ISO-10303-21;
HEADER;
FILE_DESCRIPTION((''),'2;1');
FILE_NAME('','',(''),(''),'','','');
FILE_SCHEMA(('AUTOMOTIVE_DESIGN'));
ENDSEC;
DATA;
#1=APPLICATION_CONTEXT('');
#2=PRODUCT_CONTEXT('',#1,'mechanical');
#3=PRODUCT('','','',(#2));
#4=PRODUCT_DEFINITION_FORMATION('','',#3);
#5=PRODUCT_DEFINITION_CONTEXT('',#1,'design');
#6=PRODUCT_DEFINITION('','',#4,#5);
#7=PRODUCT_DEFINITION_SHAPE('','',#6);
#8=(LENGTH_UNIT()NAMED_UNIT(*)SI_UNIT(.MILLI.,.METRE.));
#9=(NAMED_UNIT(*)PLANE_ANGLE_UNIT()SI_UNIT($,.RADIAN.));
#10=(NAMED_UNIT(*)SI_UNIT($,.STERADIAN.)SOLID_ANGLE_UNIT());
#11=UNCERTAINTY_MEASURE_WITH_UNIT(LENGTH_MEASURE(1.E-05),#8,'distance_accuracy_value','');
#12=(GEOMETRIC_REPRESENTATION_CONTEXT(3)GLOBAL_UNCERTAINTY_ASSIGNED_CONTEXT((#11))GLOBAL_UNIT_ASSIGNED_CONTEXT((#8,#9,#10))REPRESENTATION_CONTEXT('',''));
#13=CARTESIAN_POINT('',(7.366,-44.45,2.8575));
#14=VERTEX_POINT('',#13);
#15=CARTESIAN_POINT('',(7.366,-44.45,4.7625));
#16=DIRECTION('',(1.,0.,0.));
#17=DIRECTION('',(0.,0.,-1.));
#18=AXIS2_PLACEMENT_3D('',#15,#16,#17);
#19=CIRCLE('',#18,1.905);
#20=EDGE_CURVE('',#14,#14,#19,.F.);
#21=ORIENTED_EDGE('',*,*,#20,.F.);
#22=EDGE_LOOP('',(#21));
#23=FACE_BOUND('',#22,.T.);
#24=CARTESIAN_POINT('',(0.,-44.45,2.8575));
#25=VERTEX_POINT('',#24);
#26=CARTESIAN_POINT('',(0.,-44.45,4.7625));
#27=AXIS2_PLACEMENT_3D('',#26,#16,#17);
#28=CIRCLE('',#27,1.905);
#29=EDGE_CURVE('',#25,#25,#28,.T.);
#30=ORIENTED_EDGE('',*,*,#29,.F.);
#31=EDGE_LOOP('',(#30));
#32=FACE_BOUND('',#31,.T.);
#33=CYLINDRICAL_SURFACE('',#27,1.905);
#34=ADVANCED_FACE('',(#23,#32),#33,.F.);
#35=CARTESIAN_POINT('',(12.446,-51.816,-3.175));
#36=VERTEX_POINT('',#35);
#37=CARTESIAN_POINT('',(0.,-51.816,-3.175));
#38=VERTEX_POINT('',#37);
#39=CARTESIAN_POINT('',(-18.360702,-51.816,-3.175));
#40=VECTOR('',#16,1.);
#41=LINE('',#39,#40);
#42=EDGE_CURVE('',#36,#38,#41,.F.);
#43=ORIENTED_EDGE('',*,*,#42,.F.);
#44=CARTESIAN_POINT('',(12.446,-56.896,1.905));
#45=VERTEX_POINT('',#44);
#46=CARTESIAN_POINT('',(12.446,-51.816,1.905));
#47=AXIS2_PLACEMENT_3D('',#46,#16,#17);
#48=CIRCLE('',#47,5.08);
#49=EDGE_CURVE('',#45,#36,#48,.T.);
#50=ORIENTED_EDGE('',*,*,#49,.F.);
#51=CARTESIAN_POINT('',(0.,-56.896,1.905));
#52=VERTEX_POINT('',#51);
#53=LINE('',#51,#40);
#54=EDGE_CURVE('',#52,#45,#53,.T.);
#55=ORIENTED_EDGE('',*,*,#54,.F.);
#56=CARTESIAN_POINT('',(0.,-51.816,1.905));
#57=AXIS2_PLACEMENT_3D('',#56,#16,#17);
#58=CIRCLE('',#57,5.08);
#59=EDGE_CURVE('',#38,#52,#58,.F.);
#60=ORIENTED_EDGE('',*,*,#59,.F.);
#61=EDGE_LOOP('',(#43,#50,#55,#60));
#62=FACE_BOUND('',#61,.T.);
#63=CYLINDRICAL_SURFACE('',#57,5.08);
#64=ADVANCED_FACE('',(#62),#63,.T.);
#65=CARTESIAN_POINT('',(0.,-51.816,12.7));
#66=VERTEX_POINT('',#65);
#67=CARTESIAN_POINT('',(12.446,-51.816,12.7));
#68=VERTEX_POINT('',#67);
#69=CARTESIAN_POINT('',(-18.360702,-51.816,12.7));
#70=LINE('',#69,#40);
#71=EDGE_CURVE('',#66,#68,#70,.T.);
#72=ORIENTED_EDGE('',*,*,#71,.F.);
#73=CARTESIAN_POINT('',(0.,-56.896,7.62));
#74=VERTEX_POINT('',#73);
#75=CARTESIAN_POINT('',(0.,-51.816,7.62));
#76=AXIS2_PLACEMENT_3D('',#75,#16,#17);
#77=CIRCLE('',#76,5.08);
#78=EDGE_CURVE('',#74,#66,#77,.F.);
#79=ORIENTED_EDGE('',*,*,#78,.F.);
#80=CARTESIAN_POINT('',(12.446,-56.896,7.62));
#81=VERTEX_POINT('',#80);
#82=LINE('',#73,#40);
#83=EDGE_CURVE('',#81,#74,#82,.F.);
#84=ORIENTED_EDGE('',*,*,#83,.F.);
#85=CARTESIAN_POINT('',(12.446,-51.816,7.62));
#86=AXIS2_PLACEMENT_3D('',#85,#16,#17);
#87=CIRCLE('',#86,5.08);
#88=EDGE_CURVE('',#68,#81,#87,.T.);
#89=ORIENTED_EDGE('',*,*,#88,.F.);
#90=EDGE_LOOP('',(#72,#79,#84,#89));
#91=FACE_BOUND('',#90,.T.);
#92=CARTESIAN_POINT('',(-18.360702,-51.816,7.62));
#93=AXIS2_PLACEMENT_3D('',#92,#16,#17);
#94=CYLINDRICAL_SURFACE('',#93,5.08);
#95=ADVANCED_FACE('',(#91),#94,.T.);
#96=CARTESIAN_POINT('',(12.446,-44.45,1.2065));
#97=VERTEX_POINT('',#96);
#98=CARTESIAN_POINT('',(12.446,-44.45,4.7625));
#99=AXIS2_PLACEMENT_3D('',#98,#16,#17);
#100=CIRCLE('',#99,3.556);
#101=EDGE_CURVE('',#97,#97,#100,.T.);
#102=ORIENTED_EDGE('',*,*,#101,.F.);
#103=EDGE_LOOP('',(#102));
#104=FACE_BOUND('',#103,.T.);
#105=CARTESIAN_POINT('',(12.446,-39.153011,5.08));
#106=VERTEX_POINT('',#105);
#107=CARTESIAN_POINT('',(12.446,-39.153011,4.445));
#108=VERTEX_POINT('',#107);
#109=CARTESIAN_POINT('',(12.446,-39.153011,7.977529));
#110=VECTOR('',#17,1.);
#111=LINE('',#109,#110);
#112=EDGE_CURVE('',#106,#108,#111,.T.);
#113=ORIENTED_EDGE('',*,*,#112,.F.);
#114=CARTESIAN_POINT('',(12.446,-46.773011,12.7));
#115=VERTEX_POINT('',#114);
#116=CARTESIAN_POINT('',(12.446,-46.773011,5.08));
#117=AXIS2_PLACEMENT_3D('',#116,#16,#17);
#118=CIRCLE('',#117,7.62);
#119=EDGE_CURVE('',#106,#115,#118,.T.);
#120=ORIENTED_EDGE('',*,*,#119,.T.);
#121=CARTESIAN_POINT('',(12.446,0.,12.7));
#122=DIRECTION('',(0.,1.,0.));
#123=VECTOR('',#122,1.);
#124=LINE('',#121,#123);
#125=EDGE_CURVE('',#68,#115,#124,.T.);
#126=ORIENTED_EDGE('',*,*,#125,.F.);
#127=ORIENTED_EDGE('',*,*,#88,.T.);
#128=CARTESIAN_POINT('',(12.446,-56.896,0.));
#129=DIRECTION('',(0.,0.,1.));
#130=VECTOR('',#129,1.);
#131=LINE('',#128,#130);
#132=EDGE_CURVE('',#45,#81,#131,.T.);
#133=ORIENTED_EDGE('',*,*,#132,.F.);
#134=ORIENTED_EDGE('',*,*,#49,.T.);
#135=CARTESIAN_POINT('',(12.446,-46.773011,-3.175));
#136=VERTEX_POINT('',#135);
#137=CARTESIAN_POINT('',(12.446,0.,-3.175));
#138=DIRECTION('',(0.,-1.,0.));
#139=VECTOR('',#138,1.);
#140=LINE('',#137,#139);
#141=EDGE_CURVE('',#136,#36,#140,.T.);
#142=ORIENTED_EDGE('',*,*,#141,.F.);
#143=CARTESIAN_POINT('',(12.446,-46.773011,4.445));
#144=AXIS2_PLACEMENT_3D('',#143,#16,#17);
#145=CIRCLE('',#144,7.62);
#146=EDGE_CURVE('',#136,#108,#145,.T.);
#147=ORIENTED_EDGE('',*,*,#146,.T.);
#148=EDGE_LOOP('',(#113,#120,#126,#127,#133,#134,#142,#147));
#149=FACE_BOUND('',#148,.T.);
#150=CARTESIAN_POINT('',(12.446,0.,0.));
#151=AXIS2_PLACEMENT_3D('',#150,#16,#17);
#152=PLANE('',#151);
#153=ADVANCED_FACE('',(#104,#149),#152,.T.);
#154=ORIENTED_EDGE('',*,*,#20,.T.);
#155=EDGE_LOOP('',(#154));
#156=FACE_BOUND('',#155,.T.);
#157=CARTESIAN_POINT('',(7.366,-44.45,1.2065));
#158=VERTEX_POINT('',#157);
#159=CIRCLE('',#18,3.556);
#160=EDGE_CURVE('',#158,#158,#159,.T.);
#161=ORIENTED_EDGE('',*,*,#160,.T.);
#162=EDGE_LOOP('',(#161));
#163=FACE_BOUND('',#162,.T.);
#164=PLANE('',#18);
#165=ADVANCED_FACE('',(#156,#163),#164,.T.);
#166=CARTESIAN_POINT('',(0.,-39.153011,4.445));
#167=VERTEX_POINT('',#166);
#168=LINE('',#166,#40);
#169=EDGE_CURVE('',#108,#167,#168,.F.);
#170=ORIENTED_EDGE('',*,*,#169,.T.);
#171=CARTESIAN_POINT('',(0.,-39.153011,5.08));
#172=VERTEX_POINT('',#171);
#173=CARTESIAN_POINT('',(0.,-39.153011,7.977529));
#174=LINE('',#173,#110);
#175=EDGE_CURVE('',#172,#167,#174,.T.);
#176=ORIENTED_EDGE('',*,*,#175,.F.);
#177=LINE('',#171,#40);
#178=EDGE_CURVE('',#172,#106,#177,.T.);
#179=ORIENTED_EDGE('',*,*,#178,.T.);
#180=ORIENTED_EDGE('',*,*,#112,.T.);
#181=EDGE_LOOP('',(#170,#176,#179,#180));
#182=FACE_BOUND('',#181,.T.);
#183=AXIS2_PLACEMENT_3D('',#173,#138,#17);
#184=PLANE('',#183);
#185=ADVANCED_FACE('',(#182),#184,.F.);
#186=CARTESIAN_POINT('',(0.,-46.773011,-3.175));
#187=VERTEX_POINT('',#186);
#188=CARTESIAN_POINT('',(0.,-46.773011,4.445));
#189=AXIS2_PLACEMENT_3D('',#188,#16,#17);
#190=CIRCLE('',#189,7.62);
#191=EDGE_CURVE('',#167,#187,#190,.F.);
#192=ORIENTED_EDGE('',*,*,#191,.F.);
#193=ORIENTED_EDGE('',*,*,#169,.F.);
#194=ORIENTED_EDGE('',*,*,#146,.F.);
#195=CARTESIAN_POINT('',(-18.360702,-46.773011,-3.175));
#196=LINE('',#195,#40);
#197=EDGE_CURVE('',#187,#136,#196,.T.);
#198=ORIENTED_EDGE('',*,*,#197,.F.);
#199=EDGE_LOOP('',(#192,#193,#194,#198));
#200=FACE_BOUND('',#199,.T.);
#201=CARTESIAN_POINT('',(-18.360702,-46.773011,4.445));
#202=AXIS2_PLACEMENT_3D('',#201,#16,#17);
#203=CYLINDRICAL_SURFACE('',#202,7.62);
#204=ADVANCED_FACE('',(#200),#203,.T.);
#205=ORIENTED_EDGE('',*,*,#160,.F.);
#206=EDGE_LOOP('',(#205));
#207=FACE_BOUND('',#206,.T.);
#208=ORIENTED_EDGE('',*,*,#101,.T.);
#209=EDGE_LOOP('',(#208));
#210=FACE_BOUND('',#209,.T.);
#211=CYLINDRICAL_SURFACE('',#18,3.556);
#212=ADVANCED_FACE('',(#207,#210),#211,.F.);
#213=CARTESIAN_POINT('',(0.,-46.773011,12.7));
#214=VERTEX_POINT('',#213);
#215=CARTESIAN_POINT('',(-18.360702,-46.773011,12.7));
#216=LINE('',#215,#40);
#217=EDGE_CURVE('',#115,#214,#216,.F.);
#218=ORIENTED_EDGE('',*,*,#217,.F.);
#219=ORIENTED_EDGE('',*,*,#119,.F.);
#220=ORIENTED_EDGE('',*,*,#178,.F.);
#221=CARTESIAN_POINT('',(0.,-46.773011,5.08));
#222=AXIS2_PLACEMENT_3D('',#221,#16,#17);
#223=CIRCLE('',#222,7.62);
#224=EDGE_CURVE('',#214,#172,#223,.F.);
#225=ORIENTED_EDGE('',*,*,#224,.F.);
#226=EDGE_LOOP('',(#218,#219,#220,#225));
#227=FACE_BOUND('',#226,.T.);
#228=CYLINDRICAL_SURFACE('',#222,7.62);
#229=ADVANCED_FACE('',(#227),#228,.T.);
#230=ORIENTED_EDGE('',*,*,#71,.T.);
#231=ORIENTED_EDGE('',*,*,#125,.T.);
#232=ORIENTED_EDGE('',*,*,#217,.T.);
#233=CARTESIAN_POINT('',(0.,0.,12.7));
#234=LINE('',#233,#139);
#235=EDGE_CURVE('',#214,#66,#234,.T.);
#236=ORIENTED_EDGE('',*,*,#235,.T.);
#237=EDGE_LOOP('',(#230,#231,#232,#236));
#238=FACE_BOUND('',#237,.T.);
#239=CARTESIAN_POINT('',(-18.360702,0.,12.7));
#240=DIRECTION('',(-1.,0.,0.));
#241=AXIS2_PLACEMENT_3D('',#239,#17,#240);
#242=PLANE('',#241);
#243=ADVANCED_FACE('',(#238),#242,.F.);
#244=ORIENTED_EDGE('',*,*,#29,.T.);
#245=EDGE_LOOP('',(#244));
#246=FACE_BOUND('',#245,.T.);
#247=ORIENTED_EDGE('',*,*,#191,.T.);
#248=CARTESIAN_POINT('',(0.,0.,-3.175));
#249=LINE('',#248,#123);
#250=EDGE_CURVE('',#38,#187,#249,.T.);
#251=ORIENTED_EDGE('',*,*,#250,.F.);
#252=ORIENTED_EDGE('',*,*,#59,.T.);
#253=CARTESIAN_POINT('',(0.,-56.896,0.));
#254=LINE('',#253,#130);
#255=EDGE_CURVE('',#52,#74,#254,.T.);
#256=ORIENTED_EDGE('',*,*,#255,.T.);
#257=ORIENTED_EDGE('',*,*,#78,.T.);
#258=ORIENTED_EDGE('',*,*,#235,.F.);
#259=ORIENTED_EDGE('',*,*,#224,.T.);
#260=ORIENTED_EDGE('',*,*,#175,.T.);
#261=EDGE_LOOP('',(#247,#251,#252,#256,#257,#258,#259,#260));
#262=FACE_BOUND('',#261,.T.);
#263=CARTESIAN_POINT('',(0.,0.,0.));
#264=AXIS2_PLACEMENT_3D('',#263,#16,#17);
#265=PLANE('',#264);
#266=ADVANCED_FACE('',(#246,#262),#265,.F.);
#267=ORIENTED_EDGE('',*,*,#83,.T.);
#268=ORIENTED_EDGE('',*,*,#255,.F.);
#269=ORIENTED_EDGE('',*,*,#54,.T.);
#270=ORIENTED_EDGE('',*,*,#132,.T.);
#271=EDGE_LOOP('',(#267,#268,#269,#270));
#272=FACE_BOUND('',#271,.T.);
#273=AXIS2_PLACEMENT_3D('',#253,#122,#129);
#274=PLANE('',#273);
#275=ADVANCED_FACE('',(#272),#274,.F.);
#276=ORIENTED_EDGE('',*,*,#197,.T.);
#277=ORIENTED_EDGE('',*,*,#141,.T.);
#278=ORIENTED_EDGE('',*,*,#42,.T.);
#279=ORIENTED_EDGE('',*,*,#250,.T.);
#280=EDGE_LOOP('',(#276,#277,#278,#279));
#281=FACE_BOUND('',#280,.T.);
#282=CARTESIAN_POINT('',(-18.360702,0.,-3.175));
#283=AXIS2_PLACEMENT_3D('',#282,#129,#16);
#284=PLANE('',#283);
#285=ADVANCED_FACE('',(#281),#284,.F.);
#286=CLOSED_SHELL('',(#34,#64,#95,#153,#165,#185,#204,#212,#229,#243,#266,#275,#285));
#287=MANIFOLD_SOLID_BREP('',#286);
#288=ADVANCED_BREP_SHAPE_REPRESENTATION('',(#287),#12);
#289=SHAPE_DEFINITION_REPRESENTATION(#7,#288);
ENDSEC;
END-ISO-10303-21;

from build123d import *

# Parameters (mm, degrees)
SKETCH1_W           = 50.8
SKETCH1_H           = 9.525
BOSS_EXTRUDE1_DEPTH = 12.446
SKETCH6_R           = 1.905
CUT_EXTRUDE4_DEPTH  = 12.446
SKETCH7_R           = 3.556
CUT_EXTRUDE5_DEPTH  = 5.08
SKETCH8_W           = 38.1
SKETCH8_H           = 9.525
CUT_EXTRUDE6_DEPTH  = 12.446
FILLET2_R           = 2.54
CUT_EXTRUDE7_START  = -12.446
CUT_EXTRUDE7_DEPTH  = 12.446
FILLET4_R           = 5.08
SKETCH11_W          = 12.446
SKETCH11_H          = 9.525
BOSS_EXTRUDE2_DEPTH = 6.35
CUT_EXTRUDE8_START  = -12.446
SKETCH12_W          = 0.254
SKETCH12_H          = 9.525
CUT_EXTRUDE8_DEPTH  = 12.446
CUT_EXTRUDE9_START  = -12.446
CUT_EXTRUDE9_DEPTH  = 12.446
BOSS_EXTRUDE3_START = -12.446
BOSS_EXTRUDE3_DEPTH = 12.446
FILLET6_R           = 7.62
FILLET7_R           = 5.08


with BuildPart() as part:
    # Sketch1 → Boss-Extrude1 (new body)
    with BuildSketch(Plane.YZ):
        with Locations((-25.4, 4.7625)):
            Rectangle(SKETCH1_W, SKETCH1_H)
    extrude(amount=BOSS_EXTRUDE1_DEPTH)

    # Sketch6 → Cut-Extrude4 (cut)
    with BuildSketch(Plane.YZ.offset(12.446)):
        with Locations(Location((-44.45, 4.7625, 0), (0, 0, 270))):
            Circle(SKETCH6_R)
    extrude(amount=-CUT_EXTRUDE4_DEPTH, mode=Mode.SUBTRACT)

    # Sketch7 → Cut-Extrude5 (cut)
    with BuildSketch(Plane.YZ.offset(12.446)):
        with Locations(Location((-44.45, 4.7625, 0), (0, 0, 270))):
            Circle(SKETCH7_R)
    extrude(amount=-CUT_EXTRUDE5_DEPTH, mode=Mode.SUBTRACT)

    # Sketch8 → Cut-Extrude6 (cut)
    with BuildSketch(Plane.YZ.offset(12.446)):
        with Locations((-19.05, 4.7625)):
            Rectangle(SKETCH8_W, SKETCH8_H)
    extrude(amount=-CUT_EXTRUDE6_DEPTH, mode=Mode.SUBTRACT)

    # Fillet2
    fillet2_edges = [part.edges().sort_by_distance(p)[0] for p in [
        (6.223, -38.1, 0),
        (6.223, -38.1, 9.525),
    ]]
    fillet(fillet2_edges, radius=FILLET2_R)

    # Sketch9 → Cut-Extrude7 (cut)
    with BuildSketch(Plane.YZ.offset(12.446).offset(CUT_EXTRUDE7_START)):
        with BuildLine():
            Line((-40.64, 0), (-38.1, 2.54))
            ThreePointArc((-38.1, 2.54), (-38.843948776, 0.743948776), (-40.64, 0))
        make_face()
        with BuildLine():
            Line((-38.1, 6.985), (-40.64, 9.525))
            ThreePointArc((-40.64, 9.525), (-38.843948776, 8.781051224), (-38.1, 6.985))
        make_face()
    extrude(amount=CUT_EXTRUDE7_DEPTH, mode=Mode.SUBTRACT)

    # Fillet4
    fillet4_edges = [part.edges().sort_by_distance(p)[0] for p in [
        (6.223, -38.1, 2.54),
        (6.223, -38.1, 6.985),
    ]]
    fillet(fillet4_edges, radius=FILLET4_R)

    # Sketch11 → Boss-Extrude2 (add)
    with BuildSketch(Plane.XZ.offset(50.8)):
        with Locations((6.223, 4.7625)):
            Rectangle(SKETCH11_W, SKETCH11_H)
    extrude(amount=BOSS_EXTRUDE2_DEPTH)

    # Sketch12 → Cut-Extrude8 (cut)
    with BuildSketch(Plane.YZ.offset(12.446).offset(CUT_EXTRUDE8_START)):
        with Locations((-57.023, 4.7625)):
            Rectangle(SKETCH12_W, SKETCH12_H)
    extrude(amount=CUT_EXTRUDE8_DEPTH, mode=Mode.SUBTRACT)

    # Sketch13 → Cut-Extrude9 (cut)
    with BuildSketch(Plane.YZ.offset(12.446).offset(CUT_EXTRUDE9_START)):
        with BuildLine():
            Line((-39.153011094, 7.977528923), (-39.153011094, 1.547471077))
            ThreePointArc((-39.153011094, 1.547471077), (-38.370452015, 3.008769732), (-38.1, 4.644204897))
            Line((-38.1, 4.644204897), (-38.1, 4.880795103))
            ThreePointArc((-38.1, 4.880795103), (-38.370452015, 6.516230268), (-39.153011094, 7.977528923))
        make_face()
    extrude(amount=CUT_EXTRUDE9_DEPTH, mode=Mode.SUBTRACT)

    # Sketch14 → Boss-Extrude3 (add)
    with BuildSketch(Plane.YZ.offset(12.446).offset(BOSS_EXTRUDE3_START)):
        with BuildLine():
            Line((-39.153011094, 12.7), (-39.153011094, 7.977528923))
            ThreePointArc((-39.153011094, 7.977528923), (-39.362410998, 8.23227451), (-39.587897552, 8.472897552))
            Line((-39.587897552, 8.472897552), (-40.64, 9.525))
            Line((-40.64, 9.525), (-56.896, 9.525))
            Line((-56.896, 9.525), (-56.896, 12.7))
            Line((-56.896, 12.7), (-40.64, 12.7))
            Line((-40.64, 12.7), (-39.153011094, 12.7))
        make_face()
        with BuildLine():
            Line((-39.153011094, -3.175), (-40.64, -3.175))
            Line((-40.64, -3.175), (-56.896, -3.175))
            Line((-56.896, -3.175), (-56.896, 0))
            Line((-56.896, 0), (-40.64, 0))
            Line((-40.64, 0), (-39.587897552, 1.052102448))
            ThreePointArc((-39.587897552, 1.052102448), (-39.362410998, 1.29272549), (-39.153011094, 1.547471077))
            Line((-39.153011094, 1.547471077), (-39.153011094, -3.175))
        make_face()
    extrude(amount=BOSS_EXTRUDE3_DEPTH)

    # Fillet6
    fillet6_edges = [part.edges().sort_by_distance(p)[0] for p in [
        (6.223, -39.153011094, 12.7),
        (6.223, -39.153011094, -3.175),
    ]]
    fillet(fillet6_edges, radius=FILLET6_R)

    # Fillet7
    fillet7_edges = [part.edges().sort_by_distance(p)[0] for p in [
        (6.223, -56.896, 12.7),
        (6.223, -56.896, -3.175),
    ]]
    fillet(fillet7_edges, radius=FILLET7_R)


solid = part.part
